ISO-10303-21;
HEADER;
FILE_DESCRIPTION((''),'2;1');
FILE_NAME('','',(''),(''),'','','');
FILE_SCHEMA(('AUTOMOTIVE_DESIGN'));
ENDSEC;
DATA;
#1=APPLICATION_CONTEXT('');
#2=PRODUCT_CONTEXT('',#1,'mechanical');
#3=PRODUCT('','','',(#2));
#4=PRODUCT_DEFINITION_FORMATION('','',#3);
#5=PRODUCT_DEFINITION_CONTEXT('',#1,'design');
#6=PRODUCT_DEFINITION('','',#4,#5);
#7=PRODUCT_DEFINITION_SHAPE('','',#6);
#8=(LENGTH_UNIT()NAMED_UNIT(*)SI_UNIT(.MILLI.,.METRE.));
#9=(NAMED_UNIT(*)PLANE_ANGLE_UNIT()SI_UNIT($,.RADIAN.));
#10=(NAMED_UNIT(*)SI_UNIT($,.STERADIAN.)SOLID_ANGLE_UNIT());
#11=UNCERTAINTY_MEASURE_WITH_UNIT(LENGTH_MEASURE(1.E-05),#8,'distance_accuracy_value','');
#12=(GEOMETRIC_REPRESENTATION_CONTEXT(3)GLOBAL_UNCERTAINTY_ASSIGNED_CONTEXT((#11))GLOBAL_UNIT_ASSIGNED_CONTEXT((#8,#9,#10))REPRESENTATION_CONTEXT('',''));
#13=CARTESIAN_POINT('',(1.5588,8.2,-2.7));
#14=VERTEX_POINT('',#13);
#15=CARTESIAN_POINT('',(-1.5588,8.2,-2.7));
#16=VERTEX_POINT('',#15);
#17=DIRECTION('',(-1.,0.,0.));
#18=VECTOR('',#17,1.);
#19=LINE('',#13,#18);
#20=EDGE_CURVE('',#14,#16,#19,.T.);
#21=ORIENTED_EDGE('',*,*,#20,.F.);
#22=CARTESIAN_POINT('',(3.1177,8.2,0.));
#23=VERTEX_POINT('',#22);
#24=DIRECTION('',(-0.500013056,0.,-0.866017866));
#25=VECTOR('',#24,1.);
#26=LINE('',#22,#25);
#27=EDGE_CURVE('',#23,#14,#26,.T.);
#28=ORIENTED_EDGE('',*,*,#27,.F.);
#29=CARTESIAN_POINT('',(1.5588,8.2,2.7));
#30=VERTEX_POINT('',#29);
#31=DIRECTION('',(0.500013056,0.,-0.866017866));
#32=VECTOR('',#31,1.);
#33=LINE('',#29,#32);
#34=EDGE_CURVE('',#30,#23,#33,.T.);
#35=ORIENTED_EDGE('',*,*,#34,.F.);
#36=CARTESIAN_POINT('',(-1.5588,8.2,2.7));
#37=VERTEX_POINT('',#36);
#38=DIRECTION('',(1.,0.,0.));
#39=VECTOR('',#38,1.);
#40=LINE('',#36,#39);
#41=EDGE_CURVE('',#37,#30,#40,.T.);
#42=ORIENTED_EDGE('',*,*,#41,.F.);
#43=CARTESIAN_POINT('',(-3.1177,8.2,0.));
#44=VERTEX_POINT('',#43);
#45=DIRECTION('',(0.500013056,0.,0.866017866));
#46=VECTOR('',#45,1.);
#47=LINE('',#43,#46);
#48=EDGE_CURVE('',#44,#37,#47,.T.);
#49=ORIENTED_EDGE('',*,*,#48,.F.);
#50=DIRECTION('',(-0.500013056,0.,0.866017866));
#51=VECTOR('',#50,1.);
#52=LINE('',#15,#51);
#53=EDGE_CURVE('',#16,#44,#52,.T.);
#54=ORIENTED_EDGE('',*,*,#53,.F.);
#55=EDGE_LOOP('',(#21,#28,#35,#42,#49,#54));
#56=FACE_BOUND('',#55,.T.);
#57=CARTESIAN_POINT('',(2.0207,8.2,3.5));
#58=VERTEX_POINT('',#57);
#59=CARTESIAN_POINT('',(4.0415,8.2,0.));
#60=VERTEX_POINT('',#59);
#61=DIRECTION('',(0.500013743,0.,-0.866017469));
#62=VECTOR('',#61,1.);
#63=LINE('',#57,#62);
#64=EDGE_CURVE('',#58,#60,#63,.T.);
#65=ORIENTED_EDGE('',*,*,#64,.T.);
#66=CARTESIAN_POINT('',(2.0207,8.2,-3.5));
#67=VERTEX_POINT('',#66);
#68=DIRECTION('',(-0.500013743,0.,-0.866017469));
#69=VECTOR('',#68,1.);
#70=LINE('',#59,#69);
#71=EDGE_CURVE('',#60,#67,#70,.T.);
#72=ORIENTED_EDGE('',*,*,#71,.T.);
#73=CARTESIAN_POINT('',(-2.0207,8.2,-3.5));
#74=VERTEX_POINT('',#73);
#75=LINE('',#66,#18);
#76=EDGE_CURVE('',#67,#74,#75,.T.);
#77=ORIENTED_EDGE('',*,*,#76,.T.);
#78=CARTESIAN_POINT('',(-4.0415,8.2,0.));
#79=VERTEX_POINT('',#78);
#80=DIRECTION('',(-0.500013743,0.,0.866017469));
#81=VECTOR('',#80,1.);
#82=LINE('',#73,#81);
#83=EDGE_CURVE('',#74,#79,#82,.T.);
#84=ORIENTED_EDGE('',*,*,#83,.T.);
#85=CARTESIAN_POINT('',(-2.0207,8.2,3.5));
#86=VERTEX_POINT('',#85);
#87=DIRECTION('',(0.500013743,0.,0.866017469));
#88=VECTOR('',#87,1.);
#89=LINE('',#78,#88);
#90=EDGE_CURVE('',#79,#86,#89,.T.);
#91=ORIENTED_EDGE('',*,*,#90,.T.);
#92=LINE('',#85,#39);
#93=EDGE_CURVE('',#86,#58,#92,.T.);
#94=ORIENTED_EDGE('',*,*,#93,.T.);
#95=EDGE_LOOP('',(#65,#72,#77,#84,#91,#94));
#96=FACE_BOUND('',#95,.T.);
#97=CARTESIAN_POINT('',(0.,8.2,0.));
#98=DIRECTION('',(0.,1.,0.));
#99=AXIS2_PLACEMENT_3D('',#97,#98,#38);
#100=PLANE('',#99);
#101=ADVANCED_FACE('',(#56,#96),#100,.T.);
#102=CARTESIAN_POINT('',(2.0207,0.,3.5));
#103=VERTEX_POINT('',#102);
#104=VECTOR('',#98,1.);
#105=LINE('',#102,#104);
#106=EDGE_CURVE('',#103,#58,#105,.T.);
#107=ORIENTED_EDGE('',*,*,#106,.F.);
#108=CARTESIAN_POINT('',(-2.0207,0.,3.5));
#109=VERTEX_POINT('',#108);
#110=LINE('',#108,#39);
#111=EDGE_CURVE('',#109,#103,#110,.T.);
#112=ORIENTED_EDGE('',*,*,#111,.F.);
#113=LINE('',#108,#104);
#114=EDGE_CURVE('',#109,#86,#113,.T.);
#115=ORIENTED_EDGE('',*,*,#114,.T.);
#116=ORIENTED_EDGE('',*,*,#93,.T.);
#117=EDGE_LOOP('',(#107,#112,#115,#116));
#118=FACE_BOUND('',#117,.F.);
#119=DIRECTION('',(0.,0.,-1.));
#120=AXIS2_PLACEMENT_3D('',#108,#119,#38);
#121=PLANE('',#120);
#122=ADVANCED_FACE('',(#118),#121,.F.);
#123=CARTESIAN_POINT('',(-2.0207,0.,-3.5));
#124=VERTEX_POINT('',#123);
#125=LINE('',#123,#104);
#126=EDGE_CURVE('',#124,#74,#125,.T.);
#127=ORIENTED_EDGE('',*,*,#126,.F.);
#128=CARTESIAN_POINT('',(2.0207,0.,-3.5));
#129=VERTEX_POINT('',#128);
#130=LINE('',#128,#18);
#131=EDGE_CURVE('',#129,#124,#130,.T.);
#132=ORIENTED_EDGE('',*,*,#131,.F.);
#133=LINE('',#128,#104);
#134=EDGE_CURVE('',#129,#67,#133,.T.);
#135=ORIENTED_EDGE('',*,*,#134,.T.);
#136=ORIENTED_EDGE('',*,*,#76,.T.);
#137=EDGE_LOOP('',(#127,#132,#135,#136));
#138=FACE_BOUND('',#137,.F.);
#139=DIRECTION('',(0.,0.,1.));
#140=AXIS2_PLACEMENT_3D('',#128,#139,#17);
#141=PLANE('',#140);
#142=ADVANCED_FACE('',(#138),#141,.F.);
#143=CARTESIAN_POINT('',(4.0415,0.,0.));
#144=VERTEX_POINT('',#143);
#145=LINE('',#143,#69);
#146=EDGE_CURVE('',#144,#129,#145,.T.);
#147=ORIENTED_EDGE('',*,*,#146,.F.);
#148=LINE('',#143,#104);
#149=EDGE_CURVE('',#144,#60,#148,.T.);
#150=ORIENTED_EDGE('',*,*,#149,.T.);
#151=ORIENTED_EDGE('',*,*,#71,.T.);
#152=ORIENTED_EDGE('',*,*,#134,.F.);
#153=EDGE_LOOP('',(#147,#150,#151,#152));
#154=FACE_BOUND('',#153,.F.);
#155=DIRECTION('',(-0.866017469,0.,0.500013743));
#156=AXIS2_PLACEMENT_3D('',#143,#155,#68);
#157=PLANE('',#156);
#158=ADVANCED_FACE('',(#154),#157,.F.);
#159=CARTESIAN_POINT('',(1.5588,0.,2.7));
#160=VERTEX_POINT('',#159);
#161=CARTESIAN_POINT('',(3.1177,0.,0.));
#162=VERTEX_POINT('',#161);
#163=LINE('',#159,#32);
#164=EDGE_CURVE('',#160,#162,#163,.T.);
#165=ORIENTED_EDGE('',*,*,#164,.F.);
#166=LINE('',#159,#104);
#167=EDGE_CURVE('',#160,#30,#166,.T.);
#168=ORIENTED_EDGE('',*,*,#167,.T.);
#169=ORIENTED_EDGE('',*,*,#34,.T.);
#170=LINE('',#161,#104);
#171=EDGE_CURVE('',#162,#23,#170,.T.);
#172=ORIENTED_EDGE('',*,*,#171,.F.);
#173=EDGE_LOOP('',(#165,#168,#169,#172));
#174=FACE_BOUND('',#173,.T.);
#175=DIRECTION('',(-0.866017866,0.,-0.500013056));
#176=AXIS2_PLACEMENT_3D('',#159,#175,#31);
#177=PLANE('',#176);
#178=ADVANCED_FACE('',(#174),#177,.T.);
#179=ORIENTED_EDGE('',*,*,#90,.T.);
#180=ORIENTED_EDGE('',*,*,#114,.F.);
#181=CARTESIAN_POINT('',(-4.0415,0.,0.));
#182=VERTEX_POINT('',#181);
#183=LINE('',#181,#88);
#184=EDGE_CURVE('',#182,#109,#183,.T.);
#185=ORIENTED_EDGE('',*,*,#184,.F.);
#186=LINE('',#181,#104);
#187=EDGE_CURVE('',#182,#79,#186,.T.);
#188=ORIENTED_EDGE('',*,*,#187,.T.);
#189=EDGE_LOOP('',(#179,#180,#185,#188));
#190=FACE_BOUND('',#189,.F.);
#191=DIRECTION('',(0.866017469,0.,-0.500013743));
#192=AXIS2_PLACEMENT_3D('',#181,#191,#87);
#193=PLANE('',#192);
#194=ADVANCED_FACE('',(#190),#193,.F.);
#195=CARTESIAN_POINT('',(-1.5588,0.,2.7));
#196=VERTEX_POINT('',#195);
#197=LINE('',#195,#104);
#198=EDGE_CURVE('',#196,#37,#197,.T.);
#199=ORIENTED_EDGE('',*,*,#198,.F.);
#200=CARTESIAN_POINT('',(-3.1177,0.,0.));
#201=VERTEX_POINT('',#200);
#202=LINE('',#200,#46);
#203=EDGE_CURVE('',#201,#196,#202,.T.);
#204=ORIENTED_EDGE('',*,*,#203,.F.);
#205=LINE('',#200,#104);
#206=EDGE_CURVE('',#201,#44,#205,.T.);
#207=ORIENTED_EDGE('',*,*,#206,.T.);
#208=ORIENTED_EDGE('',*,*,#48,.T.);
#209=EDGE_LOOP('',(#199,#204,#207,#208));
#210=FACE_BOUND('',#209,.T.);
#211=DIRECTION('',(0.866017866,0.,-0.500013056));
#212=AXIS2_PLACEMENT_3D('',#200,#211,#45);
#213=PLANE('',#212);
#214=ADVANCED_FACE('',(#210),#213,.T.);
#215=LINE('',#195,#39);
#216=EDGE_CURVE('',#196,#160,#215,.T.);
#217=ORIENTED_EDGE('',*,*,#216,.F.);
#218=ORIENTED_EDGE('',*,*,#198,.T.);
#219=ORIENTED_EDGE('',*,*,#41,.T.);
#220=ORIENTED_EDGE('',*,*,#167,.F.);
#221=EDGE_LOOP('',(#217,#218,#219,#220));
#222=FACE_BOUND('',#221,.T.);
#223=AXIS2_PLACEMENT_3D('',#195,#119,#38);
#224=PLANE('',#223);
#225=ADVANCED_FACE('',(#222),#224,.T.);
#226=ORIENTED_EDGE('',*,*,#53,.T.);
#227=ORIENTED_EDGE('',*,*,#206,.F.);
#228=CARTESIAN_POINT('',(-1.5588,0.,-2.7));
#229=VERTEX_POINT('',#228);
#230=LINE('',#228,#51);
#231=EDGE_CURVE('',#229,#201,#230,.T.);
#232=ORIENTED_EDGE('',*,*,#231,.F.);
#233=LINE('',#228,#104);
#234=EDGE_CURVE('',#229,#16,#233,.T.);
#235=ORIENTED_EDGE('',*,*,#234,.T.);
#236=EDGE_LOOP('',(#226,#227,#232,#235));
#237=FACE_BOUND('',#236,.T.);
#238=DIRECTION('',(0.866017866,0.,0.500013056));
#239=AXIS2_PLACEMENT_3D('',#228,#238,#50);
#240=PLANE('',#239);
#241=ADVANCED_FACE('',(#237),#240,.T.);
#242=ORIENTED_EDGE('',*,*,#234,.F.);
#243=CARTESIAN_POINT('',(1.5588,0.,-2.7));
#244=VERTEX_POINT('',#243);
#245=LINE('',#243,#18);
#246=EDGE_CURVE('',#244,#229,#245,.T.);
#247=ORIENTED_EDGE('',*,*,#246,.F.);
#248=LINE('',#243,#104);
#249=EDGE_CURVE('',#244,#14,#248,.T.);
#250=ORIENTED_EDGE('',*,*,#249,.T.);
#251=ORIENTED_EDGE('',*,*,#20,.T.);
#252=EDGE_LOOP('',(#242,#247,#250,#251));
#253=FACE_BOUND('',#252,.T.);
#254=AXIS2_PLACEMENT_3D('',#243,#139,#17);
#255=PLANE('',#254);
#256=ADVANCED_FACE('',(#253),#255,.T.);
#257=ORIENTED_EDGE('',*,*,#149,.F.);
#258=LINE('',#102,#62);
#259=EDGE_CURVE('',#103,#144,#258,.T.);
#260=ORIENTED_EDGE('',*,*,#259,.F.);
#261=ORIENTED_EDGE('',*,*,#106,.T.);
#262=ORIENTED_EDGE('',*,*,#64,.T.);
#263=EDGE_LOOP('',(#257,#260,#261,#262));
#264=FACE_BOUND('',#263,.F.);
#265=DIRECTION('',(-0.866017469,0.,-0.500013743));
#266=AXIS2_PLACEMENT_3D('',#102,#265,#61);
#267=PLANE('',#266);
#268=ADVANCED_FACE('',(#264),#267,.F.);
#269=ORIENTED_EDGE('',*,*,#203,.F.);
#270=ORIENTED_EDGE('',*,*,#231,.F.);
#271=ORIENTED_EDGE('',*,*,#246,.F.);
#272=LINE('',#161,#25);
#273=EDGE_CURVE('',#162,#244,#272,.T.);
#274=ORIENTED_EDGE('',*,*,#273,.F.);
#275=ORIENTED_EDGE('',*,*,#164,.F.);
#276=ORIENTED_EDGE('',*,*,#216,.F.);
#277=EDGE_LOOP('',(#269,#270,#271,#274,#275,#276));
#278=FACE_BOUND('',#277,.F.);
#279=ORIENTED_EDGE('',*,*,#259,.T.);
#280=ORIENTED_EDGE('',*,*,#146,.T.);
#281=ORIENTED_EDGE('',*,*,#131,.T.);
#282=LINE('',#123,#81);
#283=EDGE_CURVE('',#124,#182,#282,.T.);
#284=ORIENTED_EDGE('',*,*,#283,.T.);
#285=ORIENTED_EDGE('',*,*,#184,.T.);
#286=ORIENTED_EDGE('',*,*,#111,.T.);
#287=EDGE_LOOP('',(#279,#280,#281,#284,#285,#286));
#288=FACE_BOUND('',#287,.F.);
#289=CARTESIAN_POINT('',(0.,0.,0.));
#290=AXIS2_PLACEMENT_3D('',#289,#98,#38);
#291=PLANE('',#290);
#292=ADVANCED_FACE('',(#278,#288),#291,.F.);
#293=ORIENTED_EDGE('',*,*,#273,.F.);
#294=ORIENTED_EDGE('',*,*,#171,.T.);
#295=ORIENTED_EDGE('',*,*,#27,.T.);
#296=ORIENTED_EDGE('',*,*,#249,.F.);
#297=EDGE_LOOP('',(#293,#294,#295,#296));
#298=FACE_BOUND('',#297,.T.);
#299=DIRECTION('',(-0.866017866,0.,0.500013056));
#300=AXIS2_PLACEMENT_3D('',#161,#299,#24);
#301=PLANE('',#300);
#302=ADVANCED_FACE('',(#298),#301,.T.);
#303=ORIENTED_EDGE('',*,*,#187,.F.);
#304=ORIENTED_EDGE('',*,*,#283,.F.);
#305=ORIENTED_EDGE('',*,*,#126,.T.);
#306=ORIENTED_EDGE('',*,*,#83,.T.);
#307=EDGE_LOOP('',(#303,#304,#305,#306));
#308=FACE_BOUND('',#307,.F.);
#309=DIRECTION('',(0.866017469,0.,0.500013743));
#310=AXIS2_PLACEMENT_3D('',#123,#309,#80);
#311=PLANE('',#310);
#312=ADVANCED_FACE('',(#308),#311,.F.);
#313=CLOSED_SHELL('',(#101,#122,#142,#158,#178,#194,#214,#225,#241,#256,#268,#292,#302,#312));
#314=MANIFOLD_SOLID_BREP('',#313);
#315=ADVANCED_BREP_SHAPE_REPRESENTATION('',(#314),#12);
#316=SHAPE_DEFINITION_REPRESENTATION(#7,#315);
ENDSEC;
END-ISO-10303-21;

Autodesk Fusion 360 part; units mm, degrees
sketch "Sketch1" plane through (0, 0, 0) normal (0, 1, 0) x (1, 0, 0)
  line L0 (1.5588, -2.7) -> (3.1177, 0)
  line L1 (3.1177, 0) -> (1.5588, 2.7)
  line L2 (1.5588, 2.7) -> (-1.5588, 2.7)
  line L3 (-1.5588, 2.7) -> (-3.1177, 0)
  line L4 (-3.1177, 0) -> (-1.5588, -2.7)
  line L5 (-1.5588, -2.7) -> (1.5588, -2.7)
  line L6 (-4.0415, 0) -> (-2.0207, -3.5)
  line L7 (-2.0207, -3.5) -> (2.0207, -3.5)
  line L8 (2.0207, -3.5) -> (4.0415, 0)
  line L9 (4.0415, 0) -> (2.0207, 3.5)
  line L10 (2.0207, 3.5) -> (-2.0207, 3.5)
  line L11 (-2.0207, 3.5) -> (-4.0415, 0)
  dimension "d2" = 5.4
  dimension "d3" = 0.8
  dimension "d6" = 7
  dimension "d8" = 6.2354
extrude "Extrude1" add sketch "Sketch1" along normal blind 8.2
